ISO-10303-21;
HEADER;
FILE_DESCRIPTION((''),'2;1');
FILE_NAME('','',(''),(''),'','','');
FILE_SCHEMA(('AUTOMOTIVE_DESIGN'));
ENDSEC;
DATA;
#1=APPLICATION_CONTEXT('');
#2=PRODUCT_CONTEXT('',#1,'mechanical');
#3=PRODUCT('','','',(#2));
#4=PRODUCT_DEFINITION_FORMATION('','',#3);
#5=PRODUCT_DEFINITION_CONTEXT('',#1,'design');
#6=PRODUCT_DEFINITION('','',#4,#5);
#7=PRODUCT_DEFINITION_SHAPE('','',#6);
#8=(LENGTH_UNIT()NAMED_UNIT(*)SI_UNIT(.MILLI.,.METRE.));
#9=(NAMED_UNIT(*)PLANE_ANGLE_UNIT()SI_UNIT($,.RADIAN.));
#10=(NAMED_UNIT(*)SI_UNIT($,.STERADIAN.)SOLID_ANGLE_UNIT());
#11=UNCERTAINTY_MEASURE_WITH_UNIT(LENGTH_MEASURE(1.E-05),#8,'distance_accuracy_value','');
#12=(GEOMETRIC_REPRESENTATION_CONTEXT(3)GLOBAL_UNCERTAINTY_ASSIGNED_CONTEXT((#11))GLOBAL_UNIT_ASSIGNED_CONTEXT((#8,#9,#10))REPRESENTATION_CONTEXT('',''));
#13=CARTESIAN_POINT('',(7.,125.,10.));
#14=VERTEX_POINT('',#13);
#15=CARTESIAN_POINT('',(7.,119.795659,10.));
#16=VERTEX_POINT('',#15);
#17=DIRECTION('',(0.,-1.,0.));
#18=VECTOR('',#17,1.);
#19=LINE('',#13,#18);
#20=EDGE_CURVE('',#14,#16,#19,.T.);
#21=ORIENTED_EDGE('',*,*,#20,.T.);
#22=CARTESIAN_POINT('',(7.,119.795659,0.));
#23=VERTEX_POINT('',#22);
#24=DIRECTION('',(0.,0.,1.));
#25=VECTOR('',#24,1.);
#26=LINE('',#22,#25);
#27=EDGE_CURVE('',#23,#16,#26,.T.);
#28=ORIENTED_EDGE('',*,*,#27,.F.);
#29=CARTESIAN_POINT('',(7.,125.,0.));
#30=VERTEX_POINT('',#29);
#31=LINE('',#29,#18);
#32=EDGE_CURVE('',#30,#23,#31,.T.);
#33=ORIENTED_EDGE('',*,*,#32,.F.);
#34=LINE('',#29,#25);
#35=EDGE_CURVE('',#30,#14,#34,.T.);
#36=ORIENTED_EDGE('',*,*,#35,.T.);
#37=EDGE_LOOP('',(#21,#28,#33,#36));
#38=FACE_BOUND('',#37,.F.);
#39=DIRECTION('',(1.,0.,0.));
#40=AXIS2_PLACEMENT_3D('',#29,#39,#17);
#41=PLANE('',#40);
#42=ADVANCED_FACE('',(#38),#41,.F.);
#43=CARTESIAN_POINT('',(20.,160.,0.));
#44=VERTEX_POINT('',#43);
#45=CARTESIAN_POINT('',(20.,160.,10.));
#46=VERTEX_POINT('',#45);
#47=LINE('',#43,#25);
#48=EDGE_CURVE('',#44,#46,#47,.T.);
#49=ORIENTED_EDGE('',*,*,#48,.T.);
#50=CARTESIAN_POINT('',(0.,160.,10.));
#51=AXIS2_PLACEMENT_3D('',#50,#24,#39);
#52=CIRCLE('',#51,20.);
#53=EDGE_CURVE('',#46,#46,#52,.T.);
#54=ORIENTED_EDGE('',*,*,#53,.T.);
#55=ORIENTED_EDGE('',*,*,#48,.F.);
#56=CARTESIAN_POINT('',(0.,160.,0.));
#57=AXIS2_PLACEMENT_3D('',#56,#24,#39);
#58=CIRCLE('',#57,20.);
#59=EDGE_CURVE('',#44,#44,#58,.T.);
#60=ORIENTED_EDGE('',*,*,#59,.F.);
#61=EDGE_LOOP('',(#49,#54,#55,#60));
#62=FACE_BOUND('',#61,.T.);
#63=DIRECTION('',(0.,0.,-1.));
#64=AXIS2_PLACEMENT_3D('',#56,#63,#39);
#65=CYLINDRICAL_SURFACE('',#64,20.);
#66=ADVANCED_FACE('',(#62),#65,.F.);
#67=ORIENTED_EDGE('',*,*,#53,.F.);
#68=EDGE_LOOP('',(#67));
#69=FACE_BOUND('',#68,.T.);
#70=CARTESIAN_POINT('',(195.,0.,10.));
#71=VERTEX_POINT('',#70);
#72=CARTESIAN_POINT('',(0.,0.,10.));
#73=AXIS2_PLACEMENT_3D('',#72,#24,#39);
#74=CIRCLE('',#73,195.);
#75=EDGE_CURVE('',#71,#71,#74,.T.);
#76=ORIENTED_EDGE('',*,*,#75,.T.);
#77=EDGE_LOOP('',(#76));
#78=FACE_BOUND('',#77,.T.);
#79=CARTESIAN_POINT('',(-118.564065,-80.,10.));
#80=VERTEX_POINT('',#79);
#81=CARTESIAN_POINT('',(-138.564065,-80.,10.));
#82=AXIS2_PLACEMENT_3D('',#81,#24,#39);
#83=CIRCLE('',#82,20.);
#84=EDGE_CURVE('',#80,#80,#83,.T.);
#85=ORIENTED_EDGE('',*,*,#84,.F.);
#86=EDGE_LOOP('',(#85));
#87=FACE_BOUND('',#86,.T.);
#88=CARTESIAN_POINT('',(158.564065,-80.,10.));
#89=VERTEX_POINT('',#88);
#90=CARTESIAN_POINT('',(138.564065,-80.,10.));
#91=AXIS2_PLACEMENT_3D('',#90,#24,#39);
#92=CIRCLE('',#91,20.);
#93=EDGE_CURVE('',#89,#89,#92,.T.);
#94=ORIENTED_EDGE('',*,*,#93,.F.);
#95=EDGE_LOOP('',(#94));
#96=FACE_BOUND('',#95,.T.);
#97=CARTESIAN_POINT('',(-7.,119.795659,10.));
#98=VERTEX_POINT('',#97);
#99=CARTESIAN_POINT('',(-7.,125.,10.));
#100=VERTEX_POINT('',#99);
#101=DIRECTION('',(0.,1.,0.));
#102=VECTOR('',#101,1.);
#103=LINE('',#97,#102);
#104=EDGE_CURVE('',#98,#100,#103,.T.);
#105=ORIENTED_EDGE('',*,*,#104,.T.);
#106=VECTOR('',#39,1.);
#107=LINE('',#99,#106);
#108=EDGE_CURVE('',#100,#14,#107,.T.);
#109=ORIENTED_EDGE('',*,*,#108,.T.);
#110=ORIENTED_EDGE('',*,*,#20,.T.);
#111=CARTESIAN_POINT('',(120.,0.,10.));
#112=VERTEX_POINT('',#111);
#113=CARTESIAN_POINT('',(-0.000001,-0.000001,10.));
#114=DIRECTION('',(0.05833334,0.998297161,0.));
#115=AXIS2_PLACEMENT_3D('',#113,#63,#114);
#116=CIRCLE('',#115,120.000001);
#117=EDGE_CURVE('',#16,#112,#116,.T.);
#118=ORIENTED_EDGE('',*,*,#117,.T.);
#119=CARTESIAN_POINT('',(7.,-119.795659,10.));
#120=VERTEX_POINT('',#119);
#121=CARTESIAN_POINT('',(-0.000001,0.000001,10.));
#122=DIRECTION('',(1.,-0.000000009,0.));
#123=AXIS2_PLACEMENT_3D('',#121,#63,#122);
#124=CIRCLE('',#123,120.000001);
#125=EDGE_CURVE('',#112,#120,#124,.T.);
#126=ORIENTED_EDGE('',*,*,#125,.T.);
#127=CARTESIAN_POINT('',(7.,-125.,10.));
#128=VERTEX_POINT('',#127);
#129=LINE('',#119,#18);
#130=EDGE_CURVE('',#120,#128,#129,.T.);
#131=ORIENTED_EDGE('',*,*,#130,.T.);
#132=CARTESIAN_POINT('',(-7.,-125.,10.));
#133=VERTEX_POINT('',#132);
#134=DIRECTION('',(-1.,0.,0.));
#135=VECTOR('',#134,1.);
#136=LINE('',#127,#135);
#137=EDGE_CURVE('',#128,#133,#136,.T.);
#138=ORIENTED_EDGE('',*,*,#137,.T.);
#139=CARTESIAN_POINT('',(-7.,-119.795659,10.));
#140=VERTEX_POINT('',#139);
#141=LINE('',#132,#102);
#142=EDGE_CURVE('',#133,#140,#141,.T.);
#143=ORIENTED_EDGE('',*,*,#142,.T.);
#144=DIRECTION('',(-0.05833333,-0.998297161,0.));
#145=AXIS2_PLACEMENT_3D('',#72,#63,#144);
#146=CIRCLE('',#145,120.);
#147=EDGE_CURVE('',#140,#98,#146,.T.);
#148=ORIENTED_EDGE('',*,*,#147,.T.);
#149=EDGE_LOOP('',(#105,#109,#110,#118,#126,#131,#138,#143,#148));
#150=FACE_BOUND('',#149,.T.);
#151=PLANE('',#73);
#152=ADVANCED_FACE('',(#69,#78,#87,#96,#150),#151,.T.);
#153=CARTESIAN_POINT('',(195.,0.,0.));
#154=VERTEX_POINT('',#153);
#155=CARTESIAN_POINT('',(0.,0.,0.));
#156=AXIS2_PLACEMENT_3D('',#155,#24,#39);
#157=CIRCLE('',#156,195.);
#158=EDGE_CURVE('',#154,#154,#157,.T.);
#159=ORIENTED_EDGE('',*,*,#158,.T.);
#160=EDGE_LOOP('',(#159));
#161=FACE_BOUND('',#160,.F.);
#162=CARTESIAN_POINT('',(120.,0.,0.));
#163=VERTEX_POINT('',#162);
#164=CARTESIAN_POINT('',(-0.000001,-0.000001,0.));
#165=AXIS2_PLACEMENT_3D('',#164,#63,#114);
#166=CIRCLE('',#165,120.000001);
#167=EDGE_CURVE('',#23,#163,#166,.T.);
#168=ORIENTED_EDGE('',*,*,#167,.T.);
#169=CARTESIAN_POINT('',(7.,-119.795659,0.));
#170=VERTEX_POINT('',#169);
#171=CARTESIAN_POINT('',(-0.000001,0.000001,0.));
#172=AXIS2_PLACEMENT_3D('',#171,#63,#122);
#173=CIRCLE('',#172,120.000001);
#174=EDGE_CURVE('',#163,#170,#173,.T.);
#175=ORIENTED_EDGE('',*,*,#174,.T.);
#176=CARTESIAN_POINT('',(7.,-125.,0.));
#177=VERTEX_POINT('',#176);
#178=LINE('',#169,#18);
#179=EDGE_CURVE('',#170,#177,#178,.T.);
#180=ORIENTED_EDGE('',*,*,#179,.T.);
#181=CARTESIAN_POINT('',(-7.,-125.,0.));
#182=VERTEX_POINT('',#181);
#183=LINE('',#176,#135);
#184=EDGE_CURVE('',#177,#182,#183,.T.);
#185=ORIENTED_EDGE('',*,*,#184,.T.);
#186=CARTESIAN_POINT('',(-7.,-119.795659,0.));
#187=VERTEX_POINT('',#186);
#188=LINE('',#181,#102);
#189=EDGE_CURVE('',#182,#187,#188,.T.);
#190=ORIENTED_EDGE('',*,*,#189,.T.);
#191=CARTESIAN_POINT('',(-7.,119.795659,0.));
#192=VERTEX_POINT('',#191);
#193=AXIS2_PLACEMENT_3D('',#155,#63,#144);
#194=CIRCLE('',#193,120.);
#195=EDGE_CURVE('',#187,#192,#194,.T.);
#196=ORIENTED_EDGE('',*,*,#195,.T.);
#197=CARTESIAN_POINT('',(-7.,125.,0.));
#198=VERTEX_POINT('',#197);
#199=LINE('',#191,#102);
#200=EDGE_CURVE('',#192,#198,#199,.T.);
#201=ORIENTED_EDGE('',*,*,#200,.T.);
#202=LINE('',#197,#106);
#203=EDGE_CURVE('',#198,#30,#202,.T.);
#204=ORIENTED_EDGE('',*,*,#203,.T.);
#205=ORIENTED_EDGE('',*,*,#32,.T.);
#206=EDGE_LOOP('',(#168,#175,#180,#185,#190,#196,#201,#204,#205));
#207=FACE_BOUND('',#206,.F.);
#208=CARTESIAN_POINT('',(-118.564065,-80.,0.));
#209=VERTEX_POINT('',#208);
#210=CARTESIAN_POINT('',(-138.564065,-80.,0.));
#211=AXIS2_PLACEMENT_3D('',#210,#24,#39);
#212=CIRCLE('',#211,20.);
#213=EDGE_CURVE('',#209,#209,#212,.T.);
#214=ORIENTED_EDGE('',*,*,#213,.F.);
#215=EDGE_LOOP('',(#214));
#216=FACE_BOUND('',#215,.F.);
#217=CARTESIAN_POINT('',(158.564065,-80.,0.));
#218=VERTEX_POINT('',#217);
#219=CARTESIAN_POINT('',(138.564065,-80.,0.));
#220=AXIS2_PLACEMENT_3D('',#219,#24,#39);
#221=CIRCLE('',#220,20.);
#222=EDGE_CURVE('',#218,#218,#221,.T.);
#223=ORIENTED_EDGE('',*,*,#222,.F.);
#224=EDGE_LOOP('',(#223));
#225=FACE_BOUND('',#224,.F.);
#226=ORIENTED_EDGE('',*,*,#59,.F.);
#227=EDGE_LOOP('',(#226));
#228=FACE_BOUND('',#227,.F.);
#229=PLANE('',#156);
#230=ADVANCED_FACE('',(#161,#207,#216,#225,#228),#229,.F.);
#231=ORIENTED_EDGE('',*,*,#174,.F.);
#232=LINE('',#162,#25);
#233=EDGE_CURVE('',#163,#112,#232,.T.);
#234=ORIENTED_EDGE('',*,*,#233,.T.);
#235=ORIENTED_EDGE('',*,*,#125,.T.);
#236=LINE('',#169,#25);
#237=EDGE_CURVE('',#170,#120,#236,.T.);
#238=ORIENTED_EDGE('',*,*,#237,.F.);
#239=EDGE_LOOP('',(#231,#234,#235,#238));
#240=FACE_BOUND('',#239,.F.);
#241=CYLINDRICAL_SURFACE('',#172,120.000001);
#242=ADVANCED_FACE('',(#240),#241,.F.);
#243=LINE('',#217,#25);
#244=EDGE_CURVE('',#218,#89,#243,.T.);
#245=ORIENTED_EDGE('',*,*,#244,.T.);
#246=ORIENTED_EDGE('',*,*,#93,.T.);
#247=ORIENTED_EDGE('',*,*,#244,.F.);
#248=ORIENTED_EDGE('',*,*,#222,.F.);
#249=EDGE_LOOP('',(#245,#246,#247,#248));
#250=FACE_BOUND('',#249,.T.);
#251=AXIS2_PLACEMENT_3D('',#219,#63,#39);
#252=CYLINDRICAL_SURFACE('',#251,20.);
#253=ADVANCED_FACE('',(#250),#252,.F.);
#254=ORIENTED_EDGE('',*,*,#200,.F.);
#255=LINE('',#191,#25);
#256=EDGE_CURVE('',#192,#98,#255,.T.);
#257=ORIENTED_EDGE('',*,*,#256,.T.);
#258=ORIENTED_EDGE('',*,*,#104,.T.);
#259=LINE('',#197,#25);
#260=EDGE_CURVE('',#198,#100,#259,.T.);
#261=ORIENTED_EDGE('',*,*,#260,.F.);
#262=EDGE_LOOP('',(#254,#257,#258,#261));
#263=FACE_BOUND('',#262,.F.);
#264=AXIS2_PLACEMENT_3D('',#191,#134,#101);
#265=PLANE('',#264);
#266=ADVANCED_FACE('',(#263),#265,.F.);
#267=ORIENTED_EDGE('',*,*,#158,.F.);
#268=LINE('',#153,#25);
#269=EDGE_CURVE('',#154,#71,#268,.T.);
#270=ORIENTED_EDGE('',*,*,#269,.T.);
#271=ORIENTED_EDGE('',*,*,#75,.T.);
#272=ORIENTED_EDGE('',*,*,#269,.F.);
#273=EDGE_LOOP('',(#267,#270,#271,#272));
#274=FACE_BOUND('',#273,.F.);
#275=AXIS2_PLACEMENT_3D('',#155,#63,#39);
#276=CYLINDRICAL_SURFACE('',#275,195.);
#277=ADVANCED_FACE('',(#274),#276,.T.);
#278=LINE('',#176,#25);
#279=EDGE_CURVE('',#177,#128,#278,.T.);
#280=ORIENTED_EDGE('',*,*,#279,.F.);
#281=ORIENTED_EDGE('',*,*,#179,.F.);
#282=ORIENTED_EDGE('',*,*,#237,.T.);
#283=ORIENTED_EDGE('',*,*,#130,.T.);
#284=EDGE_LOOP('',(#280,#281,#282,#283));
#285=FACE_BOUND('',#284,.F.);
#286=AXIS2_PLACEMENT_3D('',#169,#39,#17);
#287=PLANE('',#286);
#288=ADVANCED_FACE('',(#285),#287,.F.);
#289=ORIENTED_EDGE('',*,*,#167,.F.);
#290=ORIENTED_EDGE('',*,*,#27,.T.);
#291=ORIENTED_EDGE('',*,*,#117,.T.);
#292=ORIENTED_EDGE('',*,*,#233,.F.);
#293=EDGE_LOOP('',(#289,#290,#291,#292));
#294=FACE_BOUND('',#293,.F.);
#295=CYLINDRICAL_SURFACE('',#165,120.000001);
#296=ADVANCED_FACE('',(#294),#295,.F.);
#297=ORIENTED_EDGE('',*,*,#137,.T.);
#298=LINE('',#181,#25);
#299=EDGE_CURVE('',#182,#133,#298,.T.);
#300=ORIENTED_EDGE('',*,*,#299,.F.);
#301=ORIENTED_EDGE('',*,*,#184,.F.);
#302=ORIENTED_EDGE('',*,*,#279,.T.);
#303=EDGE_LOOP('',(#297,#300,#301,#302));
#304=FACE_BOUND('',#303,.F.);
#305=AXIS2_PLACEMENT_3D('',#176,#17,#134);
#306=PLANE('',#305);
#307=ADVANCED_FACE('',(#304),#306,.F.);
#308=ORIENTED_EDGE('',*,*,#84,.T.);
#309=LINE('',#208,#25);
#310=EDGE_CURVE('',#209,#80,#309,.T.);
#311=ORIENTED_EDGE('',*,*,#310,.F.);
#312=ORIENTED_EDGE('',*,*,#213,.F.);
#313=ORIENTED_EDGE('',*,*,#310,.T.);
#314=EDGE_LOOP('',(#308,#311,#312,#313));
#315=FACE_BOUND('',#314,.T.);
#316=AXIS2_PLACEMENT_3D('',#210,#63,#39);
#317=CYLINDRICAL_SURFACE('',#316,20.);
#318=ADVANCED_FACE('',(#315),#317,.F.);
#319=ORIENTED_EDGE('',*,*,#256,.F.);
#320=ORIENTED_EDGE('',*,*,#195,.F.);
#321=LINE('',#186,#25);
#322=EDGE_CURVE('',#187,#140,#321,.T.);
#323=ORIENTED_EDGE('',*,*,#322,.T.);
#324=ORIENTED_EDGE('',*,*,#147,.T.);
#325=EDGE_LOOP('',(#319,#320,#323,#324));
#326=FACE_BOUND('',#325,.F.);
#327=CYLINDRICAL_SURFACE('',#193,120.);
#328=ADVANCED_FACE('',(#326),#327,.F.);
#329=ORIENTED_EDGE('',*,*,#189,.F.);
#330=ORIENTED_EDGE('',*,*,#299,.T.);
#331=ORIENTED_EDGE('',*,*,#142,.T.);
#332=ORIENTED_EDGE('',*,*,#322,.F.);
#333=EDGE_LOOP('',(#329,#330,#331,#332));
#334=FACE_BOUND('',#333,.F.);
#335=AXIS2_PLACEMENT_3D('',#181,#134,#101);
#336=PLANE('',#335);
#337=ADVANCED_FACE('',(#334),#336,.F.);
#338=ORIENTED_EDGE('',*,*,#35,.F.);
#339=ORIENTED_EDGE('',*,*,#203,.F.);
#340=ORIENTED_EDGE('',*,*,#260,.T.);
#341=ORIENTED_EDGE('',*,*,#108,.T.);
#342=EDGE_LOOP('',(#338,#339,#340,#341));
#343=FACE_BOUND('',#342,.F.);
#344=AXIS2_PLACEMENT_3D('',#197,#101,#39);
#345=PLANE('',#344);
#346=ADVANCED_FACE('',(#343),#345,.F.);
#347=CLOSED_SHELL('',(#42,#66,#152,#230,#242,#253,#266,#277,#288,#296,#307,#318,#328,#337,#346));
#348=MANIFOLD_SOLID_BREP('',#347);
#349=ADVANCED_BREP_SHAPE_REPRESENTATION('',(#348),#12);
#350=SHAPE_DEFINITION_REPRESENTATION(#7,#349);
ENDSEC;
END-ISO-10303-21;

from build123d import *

# Parameters (mm, degrees)
F0_R     = 195
F0_R_2   = 20
F1_DEPTH = 10


with BuildPart() as f1:
    # F0 (on Top) → F1 (new body)
    with BuildSketch(Plane.XY):
        Circle(F0_R)
        with Locations((-138.564065, -80)):
            Circle(F0_R_2, mode=Mode.SUBTRACT)
        with Locations((138.564065, -80)):
            Circle(F0_R_2, mode=Mode.SUBTRACT)
        with BuildLine():
            ThreePointArc((7, 119.795659), (87.292611, 82.340755), (120, 0))
            ThreePointArc((120, 0), (87.292611, -82.340755), (7, -119.795659))
            Line((7, -119.795659), (7, -125))
            Line((7, -125), (-7, -125))
            Line((-7, -125), (-7, -119.795659))
            ThreePointArc((-7, -119.795659), (-120, 0), (-7, 119.795659))
            Line((-7, 119.795659), (-7, 125))
            Line((-7, 125), (7, 125))
            Line((7, 125), (7, 119.795659))
        make_face(mode=Mode.SUBTRACT)
        with Locations((0, 160)):
            Circle(F0_R_2, mode=Mode.SUBTRACT)
    extrude(amount=F1_DEPTH)


solid = f1.part
